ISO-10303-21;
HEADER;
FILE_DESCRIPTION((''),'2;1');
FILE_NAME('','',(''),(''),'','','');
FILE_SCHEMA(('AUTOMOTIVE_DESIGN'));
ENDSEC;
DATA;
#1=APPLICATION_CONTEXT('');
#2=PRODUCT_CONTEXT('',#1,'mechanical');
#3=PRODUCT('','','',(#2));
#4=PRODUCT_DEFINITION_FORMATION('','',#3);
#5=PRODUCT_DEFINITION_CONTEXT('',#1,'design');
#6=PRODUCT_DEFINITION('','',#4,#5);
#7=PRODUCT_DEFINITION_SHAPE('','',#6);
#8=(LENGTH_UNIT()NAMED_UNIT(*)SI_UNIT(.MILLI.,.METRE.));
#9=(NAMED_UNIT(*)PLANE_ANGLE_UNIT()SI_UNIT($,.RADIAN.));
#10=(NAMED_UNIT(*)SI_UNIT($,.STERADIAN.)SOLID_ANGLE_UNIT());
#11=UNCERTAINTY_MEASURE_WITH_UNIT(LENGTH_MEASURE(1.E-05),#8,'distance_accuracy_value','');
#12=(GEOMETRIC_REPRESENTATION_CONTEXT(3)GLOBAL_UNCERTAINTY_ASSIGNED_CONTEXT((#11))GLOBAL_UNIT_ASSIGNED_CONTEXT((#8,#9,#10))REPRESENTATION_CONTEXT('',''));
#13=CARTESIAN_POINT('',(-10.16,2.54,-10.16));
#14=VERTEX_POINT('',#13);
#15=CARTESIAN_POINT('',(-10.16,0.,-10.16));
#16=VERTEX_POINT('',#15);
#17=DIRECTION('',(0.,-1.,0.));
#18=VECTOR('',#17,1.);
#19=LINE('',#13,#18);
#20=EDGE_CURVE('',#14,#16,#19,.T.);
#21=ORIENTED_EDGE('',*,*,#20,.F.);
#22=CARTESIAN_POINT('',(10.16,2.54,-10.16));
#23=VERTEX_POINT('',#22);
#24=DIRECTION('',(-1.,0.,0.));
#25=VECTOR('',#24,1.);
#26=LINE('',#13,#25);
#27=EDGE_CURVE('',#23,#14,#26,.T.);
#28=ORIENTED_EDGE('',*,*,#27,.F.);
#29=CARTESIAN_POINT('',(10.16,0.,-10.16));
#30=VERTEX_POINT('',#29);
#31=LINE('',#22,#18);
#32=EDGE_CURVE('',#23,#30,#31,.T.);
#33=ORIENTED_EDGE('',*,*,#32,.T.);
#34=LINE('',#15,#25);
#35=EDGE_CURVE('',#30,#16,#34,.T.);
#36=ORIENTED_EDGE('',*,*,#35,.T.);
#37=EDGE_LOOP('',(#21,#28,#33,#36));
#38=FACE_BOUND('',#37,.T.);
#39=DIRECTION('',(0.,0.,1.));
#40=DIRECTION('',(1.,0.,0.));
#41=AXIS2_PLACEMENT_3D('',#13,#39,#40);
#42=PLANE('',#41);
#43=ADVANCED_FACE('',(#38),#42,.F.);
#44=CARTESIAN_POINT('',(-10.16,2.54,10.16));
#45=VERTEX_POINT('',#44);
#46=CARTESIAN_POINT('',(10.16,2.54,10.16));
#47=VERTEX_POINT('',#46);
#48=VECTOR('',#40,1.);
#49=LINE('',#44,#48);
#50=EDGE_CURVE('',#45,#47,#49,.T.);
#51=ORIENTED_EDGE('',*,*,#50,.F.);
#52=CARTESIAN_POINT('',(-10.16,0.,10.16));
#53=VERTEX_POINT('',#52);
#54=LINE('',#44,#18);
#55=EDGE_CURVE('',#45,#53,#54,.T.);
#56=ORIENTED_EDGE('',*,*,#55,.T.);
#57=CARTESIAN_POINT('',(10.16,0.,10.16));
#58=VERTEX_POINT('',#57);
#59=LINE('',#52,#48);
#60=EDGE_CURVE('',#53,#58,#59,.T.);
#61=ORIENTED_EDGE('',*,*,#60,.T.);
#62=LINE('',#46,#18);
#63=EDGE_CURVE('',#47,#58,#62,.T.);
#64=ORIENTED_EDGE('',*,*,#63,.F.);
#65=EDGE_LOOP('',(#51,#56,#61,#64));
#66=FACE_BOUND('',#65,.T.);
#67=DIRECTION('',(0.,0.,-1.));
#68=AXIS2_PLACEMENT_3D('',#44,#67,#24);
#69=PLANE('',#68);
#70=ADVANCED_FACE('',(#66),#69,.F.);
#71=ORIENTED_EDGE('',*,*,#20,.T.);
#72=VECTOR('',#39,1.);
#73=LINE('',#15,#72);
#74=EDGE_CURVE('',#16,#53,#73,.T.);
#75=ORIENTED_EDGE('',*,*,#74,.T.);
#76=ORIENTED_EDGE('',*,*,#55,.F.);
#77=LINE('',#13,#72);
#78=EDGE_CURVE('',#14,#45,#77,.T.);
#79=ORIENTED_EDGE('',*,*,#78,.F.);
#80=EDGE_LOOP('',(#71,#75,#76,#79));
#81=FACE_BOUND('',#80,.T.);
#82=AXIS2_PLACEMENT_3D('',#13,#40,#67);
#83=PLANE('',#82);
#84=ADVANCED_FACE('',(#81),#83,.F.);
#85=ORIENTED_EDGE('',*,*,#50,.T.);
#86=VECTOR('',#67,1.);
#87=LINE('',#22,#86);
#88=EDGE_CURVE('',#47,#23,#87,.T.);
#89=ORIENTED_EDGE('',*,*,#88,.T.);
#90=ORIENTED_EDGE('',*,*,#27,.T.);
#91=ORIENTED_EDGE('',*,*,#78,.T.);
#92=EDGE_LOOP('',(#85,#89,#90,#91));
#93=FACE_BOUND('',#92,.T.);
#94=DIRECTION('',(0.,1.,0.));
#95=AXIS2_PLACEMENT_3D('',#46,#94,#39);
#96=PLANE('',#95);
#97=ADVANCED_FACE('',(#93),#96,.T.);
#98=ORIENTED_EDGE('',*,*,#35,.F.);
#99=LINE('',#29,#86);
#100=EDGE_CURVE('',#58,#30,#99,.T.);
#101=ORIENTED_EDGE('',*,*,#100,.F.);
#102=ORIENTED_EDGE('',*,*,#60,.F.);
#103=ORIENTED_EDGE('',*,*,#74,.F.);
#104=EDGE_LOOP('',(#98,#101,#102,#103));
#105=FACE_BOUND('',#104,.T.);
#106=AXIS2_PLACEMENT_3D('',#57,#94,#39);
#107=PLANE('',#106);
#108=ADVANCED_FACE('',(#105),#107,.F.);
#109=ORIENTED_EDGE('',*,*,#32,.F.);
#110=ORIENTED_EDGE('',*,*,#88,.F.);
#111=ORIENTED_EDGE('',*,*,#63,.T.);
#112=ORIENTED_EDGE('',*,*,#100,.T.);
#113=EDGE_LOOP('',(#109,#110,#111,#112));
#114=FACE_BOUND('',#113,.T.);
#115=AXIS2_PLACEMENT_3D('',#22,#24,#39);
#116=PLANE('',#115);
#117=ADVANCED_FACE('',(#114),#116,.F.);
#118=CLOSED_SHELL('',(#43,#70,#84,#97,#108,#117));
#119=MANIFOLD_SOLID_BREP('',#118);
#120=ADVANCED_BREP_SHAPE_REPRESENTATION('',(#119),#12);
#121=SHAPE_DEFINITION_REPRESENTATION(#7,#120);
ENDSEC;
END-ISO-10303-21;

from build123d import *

# Parameters (mm, degrees)
SKETCH1_W      = 20.32
SKETCH1_H      = 20.32
EXTRUDE1_DEPTH = 2.54


with BuildPart() as part:
    # Sketch1 → Extrude1 (new body)
    with BuildSketch(Plane(origin=(0, 0, 0), x_dir=(1, 0, 0), z_dir=(0, 1, 0))):
        Rectangle(SKETCH1_W, SKETCH1_H)
    extrude(amount=EXTRUDE1_DEPTH)


solid = part.part
